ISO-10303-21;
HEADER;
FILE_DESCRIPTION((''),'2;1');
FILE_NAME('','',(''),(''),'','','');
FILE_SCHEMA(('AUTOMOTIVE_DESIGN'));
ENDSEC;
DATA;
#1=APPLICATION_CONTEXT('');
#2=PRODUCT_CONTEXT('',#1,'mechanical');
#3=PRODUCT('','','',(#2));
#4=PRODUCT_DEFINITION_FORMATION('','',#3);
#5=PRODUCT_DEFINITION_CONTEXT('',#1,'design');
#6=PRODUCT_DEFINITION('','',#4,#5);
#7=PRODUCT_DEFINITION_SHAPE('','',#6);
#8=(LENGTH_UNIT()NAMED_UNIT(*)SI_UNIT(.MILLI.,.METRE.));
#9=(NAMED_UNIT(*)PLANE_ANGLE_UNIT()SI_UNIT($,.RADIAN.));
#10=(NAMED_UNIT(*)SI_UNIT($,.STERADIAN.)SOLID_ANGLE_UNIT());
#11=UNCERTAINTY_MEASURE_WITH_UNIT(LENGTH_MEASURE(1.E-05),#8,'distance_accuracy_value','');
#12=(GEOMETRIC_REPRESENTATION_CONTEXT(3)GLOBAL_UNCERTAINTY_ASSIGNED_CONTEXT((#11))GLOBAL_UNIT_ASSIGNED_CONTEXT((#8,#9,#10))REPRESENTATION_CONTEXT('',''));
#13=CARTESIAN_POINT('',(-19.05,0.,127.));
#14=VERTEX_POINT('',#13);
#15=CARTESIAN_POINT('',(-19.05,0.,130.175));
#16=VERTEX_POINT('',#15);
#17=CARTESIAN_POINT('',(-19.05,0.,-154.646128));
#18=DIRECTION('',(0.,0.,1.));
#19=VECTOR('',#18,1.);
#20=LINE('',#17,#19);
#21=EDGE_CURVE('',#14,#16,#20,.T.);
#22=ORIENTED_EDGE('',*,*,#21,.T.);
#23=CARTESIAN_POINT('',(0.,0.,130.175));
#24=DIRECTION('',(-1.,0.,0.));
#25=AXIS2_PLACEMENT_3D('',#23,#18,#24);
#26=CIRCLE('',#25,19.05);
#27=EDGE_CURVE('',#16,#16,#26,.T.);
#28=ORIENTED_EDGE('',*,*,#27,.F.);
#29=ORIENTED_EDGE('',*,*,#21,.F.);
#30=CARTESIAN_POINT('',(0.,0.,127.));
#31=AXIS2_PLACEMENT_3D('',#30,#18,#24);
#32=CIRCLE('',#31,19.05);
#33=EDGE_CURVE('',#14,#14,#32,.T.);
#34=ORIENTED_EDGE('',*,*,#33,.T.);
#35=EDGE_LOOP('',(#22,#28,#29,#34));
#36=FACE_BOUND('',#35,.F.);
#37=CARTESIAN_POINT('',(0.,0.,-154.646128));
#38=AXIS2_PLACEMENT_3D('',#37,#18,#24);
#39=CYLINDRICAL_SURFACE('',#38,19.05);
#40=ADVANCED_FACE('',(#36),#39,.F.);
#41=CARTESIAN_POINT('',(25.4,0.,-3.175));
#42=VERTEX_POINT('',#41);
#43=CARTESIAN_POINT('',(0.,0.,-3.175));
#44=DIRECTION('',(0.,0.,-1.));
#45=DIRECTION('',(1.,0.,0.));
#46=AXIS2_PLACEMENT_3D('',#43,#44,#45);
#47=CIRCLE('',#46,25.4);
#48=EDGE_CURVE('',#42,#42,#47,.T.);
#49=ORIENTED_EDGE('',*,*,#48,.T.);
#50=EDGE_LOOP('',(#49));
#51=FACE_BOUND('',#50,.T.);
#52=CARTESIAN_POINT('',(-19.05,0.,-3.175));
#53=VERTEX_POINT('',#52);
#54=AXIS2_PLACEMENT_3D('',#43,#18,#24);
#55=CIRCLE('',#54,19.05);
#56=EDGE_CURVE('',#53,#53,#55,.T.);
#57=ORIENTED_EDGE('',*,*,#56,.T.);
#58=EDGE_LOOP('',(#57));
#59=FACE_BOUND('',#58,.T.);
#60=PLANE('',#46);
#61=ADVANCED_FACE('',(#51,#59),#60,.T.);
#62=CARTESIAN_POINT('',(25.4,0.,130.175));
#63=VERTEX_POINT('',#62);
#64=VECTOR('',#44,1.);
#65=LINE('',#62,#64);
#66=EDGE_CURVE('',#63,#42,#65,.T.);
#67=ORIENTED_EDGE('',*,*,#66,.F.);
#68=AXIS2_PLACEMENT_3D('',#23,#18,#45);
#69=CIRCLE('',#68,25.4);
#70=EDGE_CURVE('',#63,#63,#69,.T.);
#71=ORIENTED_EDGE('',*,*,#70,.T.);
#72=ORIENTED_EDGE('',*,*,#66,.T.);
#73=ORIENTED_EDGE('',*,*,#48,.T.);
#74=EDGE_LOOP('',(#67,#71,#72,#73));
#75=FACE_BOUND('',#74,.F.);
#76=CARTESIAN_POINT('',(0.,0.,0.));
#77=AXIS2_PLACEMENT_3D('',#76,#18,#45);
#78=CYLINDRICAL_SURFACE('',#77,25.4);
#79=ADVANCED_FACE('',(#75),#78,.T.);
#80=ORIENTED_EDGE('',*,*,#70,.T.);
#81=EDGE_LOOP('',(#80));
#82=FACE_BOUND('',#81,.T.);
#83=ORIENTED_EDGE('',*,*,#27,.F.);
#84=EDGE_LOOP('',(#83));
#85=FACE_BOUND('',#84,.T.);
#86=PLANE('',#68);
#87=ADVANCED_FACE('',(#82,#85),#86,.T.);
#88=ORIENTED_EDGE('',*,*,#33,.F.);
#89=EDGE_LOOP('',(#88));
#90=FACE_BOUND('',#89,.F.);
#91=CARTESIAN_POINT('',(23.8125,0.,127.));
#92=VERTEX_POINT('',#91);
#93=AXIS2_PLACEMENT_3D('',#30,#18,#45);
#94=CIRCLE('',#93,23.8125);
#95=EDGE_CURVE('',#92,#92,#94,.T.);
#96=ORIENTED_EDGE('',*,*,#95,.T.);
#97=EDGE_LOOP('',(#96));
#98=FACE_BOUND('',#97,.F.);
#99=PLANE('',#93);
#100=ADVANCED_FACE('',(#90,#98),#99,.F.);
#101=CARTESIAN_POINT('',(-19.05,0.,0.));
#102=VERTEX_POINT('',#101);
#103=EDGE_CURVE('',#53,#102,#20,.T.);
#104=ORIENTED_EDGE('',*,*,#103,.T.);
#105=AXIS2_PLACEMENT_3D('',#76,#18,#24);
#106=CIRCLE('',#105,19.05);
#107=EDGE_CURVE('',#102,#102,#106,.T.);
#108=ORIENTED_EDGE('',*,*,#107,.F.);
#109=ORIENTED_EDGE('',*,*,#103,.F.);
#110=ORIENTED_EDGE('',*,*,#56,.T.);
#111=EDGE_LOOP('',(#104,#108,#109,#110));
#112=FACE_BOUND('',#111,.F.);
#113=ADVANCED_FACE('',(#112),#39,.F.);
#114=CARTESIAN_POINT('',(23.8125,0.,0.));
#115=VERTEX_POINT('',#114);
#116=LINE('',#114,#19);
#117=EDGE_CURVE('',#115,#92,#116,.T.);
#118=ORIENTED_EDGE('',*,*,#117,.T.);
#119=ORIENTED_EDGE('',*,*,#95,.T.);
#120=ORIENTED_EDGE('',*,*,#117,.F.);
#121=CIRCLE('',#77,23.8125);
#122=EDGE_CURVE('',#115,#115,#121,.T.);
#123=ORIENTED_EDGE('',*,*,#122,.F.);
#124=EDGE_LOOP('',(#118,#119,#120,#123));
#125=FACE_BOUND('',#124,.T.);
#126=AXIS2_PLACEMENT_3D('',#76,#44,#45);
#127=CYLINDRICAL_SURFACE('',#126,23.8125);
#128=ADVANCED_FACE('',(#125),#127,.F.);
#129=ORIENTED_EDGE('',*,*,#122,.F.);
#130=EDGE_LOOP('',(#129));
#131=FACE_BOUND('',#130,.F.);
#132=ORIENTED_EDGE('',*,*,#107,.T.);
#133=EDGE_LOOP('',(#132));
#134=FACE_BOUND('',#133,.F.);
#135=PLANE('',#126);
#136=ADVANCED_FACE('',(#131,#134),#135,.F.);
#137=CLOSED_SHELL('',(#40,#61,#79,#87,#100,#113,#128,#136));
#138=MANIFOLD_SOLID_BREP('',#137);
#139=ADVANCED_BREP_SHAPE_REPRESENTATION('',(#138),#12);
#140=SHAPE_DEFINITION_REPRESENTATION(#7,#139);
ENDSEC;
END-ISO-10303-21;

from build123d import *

# Parameters (mm, degrees)
F0_R     = 25.4
F0_R_2   = 23.8125
F1_DEPTH = 127
F2_R     = 25.4
F3_DEPTH = 3.175
F4_R     = 25.4
F5_DEPTH = 3.175
F7_D     = 38.1


with BuildPart() as f1:
    # F0 (on Top) → F1 (new body)
    with BuildSketch(Plane.XY):
        Circle(F0_R)
        Circle(F0_R_2, mode=Mode.SUBTRACT)
    extrude(amount=F1_DEPTH)

    # F2 (on face) → F3 (join)
    with BuildSketch(Plane.XY.offset(127)):
        Circle(F2_R)
    extrude(amount=F3_DEPTH)

    # F4 (on face) → F5 (join)
    with BuildSketch(Plane(origin=(0, 0, 0), x_dir=(1, 0, 0), z_dir=(0, 0, -1))):
        Circle(F4_R)
    extrude(amount=F5_DEPTH)

    # F7 (through all)
    with Locations(Plane(origin=(0, 0, -3.175), x_dir=(1, 0, 0), z_dir=(0, 0, -1))):
        with Locations((0, 0)):
            Hole(F7_D / 2)


solid = f1.part
